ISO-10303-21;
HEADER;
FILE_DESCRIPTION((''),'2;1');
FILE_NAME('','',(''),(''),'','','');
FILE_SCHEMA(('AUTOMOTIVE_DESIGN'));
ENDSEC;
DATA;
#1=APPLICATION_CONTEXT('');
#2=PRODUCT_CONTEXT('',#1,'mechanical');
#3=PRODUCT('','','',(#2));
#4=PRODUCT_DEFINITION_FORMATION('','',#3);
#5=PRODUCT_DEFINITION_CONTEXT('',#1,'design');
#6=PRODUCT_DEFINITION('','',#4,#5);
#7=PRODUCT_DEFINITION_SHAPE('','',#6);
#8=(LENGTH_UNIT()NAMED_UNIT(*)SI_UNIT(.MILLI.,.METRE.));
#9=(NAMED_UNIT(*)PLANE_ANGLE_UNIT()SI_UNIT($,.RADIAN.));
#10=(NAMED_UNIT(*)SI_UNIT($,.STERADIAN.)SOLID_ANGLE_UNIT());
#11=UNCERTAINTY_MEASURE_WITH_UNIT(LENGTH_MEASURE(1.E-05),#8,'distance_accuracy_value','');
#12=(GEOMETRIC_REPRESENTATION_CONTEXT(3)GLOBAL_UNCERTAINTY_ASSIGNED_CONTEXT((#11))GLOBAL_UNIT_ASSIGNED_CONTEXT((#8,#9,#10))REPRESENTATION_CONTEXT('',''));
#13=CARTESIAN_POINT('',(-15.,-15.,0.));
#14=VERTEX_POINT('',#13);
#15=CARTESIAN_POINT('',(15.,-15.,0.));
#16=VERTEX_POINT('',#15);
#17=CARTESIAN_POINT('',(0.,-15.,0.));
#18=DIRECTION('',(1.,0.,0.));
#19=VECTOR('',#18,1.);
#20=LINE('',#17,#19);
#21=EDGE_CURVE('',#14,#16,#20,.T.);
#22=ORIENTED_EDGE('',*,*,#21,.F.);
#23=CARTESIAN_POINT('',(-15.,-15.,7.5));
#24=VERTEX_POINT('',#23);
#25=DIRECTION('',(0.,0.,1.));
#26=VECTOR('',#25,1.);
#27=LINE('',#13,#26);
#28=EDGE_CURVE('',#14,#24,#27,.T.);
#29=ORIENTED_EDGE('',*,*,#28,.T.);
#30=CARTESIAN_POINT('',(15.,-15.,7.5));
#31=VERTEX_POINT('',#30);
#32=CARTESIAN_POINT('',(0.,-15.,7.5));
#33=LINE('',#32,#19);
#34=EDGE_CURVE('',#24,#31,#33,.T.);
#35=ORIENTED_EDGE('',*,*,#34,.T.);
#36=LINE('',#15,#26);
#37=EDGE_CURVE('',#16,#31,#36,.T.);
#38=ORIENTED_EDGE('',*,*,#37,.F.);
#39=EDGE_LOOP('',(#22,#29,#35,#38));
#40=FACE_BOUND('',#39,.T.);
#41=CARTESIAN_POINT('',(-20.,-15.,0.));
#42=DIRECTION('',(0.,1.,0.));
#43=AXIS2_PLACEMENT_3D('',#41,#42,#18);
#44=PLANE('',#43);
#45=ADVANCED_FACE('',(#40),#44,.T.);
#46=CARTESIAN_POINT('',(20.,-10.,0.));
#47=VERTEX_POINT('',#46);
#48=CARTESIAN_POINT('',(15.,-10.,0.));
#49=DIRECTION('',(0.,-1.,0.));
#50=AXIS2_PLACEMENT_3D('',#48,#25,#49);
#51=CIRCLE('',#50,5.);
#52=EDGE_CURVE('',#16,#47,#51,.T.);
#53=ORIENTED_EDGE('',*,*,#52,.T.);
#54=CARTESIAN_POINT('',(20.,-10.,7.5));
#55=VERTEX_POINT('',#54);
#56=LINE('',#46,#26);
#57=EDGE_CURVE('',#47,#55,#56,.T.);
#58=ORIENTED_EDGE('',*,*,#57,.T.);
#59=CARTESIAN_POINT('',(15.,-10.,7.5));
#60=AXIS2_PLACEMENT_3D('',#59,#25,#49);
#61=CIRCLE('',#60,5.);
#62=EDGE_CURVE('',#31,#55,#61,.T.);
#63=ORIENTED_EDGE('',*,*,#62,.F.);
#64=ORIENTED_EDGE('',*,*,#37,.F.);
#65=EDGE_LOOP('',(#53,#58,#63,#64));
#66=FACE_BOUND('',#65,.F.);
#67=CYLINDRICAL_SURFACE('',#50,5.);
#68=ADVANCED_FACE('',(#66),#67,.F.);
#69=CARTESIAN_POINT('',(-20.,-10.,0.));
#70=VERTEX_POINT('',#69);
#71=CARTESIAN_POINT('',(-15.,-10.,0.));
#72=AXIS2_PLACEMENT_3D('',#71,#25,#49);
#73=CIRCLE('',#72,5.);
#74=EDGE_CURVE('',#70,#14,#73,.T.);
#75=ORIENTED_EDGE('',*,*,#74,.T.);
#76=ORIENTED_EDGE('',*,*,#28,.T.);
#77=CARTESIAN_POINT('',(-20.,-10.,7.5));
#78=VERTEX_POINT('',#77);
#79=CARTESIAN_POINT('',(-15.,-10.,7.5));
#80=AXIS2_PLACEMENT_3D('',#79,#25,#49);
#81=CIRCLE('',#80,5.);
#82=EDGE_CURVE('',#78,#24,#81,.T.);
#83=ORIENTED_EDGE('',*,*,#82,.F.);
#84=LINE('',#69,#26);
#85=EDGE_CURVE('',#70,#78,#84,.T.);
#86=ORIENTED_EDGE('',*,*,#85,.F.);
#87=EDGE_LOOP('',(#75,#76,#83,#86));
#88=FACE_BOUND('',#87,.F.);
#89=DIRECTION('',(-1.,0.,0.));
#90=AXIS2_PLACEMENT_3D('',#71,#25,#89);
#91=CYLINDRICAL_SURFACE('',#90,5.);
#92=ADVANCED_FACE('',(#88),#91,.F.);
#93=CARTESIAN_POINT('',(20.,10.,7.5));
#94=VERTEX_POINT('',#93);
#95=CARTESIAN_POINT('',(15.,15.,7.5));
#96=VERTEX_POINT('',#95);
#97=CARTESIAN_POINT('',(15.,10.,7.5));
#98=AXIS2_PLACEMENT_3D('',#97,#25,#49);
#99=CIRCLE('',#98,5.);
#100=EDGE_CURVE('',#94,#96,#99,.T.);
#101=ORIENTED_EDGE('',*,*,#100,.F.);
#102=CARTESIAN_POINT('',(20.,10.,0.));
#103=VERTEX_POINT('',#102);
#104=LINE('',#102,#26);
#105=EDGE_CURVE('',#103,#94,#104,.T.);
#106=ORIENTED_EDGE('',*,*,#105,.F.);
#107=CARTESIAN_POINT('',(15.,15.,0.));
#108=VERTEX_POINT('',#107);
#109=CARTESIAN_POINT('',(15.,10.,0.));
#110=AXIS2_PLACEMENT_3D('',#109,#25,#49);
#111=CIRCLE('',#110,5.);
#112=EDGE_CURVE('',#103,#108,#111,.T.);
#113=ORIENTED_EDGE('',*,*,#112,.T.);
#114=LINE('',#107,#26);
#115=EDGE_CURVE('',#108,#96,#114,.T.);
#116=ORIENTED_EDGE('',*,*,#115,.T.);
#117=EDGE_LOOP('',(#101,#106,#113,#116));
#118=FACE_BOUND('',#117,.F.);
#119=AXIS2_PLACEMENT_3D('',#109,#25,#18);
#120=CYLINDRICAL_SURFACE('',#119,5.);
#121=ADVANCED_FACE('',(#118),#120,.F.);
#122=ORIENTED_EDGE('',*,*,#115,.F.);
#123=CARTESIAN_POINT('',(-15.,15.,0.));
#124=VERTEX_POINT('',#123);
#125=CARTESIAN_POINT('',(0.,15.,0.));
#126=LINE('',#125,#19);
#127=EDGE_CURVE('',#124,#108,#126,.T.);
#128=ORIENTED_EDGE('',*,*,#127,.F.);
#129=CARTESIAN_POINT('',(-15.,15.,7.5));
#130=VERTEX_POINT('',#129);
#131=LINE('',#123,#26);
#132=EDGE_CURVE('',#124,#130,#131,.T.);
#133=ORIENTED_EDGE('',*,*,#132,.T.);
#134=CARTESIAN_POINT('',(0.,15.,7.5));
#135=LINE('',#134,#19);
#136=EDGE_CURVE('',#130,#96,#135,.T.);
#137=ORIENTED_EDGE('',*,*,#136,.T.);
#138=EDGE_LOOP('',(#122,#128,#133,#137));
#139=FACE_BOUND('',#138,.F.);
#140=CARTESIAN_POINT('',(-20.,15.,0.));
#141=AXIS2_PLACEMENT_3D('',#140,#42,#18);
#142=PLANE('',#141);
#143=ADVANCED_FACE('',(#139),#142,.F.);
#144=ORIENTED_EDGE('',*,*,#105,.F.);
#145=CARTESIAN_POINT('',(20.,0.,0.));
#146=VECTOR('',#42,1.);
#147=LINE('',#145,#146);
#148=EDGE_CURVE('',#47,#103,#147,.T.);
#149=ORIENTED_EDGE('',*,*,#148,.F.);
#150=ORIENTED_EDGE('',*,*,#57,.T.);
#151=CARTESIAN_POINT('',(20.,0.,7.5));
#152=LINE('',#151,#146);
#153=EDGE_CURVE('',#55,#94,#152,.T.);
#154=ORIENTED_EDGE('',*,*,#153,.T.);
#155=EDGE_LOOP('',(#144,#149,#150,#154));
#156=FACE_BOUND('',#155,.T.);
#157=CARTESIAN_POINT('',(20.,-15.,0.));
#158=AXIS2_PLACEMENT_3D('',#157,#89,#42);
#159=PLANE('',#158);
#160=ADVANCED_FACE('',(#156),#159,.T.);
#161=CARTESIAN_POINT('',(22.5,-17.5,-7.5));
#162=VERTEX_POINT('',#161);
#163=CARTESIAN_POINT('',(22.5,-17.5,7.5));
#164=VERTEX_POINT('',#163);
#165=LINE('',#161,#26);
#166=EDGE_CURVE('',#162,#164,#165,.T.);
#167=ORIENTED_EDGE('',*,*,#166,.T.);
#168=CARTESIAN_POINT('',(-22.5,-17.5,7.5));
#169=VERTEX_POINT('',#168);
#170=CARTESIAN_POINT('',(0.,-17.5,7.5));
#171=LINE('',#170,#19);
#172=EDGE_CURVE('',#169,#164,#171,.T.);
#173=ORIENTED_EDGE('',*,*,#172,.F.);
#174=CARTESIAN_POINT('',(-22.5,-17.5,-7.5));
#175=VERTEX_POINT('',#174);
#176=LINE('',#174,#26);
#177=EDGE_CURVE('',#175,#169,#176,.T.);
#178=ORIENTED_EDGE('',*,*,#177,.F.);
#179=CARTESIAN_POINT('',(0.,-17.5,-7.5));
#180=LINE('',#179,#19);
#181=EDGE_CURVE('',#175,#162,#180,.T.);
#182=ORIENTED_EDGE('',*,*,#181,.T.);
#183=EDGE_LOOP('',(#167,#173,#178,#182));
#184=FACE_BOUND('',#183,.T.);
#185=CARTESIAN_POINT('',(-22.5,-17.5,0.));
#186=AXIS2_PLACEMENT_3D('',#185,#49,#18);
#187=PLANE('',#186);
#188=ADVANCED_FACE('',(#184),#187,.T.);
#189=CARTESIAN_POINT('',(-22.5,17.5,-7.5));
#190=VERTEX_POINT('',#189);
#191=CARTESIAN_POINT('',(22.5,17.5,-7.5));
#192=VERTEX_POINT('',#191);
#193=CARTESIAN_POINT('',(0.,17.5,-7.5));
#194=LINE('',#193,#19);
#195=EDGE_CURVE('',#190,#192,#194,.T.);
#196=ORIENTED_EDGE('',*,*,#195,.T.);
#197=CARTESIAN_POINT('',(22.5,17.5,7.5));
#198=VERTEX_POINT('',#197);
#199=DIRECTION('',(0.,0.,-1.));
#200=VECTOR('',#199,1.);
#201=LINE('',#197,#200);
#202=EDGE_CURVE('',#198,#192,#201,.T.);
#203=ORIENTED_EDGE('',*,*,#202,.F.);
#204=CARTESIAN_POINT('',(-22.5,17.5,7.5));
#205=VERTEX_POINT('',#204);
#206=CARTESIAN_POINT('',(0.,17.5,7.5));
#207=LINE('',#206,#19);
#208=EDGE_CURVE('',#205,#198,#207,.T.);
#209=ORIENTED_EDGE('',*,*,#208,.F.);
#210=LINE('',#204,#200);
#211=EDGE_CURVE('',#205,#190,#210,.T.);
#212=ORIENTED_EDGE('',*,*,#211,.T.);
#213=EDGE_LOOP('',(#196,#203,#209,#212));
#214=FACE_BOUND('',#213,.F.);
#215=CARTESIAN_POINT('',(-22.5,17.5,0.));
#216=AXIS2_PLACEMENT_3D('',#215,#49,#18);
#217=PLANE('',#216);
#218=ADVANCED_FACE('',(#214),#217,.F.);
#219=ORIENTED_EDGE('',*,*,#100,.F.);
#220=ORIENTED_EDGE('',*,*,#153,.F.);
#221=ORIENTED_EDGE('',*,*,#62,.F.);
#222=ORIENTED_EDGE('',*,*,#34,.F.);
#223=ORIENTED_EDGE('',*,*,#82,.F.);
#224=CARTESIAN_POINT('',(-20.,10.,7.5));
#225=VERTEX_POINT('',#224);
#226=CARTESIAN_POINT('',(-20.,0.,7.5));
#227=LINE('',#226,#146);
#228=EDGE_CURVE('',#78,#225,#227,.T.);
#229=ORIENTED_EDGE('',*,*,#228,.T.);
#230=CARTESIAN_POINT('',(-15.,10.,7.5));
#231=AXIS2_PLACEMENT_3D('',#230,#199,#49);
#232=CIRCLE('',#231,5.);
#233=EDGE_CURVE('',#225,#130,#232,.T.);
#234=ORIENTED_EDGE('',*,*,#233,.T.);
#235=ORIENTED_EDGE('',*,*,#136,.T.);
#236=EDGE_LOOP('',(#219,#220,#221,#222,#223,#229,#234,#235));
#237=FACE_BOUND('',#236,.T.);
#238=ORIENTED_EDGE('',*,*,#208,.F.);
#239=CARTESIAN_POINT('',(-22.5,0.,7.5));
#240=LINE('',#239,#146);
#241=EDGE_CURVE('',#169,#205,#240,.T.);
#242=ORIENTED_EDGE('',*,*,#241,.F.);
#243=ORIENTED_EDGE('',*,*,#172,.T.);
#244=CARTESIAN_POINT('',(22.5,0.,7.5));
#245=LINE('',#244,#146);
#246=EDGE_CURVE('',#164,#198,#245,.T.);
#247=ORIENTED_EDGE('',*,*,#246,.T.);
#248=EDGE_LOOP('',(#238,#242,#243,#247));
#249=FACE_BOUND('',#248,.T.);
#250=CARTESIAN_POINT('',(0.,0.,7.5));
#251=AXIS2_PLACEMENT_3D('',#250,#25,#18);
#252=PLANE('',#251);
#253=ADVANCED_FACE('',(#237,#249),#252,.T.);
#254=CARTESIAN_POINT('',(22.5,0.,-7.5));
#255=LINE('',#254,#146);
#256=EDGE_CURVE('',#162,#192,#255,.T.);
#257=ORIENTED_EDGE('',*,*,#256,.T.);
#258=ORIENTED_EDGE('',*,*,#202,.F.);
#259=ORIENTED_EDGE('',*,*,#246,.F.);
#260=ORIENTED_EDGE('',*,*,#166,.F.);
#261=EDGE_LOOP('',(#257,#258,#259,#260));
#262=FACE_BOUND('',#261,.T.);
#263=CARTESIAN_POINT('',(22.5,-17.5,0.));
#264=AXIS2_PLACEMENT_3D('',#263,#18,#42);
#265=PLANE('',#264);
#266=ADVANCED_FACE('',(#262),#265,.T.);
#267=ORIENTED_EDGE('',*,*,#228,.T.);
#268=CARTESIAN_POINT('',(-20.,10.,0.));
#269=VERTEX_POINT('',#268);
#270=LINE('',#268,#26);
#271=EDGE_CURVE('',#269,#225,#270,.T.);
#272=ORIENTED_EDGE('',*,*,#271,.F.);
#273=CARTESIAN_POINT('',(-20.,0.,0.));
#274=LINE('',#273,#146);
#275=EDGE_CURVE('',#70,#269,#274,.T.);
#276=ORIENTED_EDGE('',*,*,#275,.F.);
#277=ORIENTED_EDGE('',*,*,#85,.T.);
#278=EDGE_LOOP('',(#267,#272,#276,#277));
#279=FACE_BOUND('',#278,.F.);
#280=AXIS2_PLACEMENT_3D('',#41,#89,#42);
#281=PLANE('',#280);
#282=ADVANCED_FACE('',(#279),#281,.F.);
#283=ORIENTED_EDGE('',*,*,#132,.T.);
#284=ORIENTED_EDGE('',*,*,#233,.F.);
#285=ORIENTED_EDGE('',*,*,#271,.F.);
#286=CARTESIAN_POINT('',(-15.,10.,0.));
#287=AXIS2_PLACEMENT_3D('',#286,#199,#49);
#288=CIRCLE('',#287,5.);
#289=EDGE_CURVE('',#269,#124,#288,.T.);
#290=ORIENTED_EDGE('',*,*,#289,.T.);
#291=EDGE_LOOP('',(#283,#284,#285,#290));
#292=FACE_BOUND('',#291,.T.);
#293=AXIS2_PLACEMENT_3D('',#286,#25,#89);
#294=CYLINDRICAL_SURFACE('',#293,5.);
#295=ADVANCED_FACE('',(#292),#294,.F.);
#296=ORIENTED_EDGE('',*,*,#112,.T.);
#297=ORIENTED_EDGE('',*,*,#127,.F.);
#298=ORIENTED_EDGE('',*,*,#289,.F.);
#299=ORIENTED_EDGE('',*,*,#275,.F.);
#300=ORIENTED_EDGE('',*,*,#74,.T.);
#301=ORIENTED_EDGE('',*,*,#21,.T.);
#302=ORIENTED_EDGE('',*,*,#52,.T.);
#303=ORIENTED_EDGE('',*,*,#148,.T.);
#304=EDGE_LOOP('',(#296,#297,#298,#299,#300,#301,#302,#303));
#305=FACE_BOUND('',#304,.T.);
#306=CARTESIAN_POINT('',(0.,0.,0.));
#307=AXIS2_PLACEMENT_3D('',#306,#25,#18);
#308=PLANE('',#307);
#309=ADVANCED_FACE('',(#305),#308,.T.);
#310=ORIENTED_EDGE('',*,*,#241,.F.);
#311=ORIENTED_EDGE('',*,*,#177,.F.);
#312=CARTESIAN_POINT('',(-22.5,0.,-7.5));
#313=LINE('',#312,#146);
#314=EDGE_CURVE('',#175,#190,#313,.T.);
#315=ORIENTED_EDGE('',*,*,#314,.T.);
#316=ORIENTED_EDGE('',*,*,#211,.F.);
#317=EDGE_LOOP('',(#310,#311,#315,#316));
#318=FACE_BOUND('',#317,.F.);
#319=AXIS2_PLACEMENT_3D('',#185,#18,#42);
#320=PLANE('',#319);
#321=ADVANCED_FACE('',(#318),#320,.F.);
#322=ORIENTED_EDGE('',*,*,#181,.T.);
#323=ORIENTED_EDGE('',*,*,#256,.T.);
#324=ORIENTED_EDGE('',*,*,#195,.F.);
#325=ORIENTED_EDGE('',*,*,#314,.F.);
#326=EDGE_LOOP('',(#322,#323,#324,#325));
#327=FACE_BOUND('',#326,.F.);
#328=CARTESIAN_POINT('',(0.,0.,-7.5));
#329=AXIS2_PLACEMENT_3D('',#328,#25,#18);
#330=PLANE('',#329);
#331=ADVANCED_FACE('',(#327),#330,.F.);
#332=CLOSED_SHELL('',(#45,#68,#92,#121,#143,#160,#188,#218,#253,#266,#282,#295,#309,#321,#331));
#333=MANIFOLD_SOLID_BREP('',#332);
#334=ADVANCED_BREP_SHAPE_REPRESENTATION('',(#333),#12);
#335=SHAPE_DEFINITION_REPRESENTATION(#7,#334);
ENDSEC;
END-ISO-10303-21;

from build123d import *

# Parameters (mm, degrees)
F0_W     = 45
F0_H     = 35
F1_DEPTH = 7.5
F2_W     = 40
F2_H     = 30
F3_DEPTH = 7.5
F4_W     = 40
F4_H     = 30
F5_DEPTH = 5
F6_R     = 5


with BuildPart() as f1:
    # F0 (on Top) → F1 (new body, symmetric)
    with BuildSketch(Plane.XY):
        Rectangle(F0_W, F0_H)
    extrude(amount=F1_DEPTH, both=True)

    # F2 (on Top) → F3 (cut)
    with BuildSketch(Plane.XY):
        Rectangle(F2_W, F2_H)
    extrude(amount=F3_DEPTH, mode=Mode.SUBTRACT)

    # F4 (on Top) → F5 (join)
    with BuildSketch(Plane.XY):
        Rectangle(F4_W, F4_H)
    extrude(amount=-F5_DEPTH)

    # F6
    f6_edges = [f1.edges().sort_by_distance(p)[0] for p in [
        (20, 15, 3.75),
        (-20, 15, 3.75),
        (-20, -15, 3.75),
        (20, -15, 3.75),
    ]]
    fillet(f6_edges, radius=F6_R)


solid = f1.part
